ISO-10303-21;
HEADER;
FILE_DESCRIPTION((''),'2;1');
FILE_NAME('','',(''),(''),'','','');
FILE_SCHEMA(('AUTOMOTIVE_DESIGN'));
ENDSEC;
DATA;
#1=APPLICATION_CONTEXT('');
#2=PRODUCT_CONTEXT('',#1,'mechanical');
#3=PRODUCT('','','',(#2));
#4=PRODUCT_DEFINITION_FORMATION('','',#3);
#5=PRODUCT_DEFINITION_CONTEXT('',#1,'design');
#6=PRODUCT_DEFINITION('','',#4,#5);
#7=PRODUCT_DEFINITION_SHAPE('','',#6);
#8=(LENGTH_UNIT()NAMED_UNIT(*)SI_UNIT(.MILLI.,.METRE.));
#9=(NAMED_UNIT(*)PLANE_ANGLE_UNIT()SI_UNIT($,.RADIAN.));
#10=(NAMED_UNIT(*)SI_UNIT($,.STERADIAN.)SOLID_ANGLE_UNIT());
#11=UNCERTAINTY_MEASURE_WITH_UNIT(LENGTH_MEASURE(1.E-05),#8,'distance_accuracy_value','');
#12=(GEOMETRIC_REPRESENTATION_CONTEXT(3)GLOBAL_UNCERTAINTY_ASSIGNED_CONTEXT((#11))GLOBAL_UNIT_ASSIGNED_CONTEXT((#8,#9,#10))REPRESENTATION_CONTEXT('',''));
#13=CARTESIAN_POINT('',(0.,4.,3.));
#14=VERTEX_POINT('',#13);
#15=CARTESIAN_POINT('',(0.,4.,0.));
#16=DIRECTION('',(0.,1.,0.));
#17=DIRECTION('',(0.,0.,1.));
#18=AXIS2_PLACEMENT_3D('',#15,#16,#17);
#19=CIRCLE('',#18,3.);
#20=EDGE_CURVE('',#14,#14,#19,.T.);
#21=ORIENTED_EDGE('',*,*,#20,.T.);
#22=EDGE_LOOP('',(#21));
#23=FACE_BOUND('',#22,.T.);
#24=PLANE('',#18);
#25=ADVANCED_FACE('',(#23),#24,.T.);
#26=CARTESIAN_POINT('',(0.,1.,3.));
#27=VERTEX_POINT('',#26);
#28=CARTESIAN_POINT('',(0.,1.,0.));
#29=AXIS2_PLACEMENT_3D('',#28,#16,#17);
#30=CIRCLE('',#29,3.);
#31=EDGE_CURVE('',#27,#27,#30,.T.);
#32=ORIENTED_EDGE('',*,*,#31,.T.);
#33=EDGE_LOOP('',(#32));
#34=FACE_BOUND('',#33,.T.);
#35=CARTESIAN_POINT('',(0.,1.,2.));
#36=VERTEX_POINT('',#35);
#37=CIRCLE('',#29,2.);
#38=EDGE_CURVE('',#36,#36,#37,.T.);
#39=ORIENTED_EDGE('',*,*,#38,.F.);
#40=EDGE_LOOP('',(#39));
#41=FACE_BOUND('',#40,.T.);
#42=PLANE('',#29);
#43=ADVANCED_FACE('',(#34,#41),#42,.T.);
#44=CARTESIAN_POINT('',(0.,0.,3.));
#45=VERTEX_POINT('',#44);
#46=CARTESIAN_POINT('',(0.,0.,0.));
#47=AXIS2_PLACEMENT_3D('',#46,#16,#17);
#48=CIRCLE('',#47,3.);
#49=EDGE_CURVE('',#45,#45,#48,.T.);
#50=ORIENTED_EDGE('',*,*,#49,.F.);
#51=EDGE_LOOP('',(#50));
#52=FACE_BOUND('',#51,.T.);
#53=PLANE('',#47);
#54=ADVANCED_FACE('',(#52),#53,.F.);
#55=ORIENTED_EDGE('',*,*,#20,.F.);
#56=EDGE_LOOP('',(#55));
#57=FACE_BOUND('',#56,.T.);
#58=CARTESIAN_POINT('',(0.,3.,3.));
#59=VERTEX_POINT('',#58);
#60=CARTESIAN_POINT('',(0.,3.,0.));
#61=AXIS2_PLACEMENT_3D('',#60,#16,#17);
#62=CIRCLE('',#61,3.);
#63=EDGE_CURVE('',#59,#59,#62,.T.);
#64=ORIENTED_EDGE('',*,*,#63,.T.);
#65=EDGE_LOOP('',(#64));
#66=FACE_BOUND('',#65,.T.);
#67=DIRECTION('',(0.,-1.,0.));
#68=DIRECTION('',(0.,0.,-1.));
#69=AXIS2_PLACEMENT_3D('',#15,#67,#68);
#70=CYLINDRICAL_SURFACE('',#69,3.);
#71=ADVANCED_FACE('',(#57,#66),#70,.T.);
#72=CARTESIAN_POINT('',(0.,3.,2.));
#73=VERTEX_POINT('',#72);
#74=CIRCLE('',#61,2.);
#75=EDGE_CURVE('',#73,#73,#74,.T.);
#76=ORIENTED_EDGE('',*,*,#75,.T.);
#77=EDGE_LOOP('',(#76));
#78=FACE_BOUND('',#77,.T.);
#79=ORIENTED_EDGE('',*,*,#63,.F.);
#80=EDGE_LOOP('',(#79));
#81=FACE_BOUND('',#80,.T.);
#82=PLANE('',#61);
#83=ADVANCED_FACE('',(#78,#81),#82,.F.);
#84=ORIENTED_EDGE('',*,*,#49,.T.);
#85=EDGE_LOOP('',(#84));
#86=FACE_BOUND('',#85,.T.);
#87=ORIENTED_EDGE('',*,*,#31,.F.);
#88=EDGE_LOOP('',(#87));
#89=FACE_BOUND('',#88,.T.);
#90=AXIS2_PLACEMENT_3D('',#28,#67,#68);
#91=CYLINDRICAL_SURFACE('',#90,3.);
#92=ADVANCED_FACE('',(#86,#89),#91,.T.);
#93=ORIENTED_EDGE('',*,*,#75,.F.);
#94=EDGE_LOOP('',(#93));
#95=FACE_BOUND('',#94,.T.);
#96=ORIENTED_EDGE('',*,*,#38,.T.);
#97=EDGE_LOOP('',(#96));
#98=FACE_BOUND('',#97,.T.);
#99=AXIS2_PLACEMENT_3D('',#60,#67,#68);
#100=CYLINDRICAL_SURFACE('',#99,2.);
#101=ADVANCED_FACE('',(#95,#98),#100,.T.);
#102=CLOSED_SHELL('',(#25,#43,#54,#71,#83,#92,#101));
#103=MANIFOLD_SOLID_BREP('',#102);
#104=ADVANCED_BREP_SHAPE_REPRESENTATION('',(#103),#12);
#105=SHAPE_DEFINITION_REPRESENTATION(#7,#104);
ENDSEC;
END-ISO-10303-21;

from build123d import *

# Parameters (mm, degrees)
SKETCH1_R           = 3
BOSS_EXTRUDE1_DEPTH = 1
SKETCH2_R           = 2
BOSS_EXTRUDE2_DEPTH = 2
SKETCH3_R           = 3
BOSS_EXTRUDE3_DEPTH = 1


with BuildPart() as part:
    # Sketch1 → Boss-Extrude1 (new body)
    with BuildSketch(Plane(origin=(0, 0, 0), x_dir=(1, 0, 0), z_dir=(0, 1, 0))):
        Circle(SKETCH1_R)
    extrude(amount=BOSS_EXTRUDE1_DEPTH)

    # Sketch2 → Boss-Extrude2 (add)
    with BuildSketch(Plane(origin=(0, 1, 0), x_dir=(1, 0, 0), z_dir=(0, 1, 0))):
        Circle(SKETCH2_R)
    extrude(amount=BOSS_EXTRUDE2_DEPTH)

    # Sketch3 → Boss-Extrude3 (add)
    with BuildSketch(Plane(origin=(0, 3, 0), x_dir=(1, 0, 0), z_dir=(0, 1, 0))):
        Circle(SKETCH3_R)
    extrude(amount=BOSS_EXTRUDE3_DEPTH)


solid = part.part
